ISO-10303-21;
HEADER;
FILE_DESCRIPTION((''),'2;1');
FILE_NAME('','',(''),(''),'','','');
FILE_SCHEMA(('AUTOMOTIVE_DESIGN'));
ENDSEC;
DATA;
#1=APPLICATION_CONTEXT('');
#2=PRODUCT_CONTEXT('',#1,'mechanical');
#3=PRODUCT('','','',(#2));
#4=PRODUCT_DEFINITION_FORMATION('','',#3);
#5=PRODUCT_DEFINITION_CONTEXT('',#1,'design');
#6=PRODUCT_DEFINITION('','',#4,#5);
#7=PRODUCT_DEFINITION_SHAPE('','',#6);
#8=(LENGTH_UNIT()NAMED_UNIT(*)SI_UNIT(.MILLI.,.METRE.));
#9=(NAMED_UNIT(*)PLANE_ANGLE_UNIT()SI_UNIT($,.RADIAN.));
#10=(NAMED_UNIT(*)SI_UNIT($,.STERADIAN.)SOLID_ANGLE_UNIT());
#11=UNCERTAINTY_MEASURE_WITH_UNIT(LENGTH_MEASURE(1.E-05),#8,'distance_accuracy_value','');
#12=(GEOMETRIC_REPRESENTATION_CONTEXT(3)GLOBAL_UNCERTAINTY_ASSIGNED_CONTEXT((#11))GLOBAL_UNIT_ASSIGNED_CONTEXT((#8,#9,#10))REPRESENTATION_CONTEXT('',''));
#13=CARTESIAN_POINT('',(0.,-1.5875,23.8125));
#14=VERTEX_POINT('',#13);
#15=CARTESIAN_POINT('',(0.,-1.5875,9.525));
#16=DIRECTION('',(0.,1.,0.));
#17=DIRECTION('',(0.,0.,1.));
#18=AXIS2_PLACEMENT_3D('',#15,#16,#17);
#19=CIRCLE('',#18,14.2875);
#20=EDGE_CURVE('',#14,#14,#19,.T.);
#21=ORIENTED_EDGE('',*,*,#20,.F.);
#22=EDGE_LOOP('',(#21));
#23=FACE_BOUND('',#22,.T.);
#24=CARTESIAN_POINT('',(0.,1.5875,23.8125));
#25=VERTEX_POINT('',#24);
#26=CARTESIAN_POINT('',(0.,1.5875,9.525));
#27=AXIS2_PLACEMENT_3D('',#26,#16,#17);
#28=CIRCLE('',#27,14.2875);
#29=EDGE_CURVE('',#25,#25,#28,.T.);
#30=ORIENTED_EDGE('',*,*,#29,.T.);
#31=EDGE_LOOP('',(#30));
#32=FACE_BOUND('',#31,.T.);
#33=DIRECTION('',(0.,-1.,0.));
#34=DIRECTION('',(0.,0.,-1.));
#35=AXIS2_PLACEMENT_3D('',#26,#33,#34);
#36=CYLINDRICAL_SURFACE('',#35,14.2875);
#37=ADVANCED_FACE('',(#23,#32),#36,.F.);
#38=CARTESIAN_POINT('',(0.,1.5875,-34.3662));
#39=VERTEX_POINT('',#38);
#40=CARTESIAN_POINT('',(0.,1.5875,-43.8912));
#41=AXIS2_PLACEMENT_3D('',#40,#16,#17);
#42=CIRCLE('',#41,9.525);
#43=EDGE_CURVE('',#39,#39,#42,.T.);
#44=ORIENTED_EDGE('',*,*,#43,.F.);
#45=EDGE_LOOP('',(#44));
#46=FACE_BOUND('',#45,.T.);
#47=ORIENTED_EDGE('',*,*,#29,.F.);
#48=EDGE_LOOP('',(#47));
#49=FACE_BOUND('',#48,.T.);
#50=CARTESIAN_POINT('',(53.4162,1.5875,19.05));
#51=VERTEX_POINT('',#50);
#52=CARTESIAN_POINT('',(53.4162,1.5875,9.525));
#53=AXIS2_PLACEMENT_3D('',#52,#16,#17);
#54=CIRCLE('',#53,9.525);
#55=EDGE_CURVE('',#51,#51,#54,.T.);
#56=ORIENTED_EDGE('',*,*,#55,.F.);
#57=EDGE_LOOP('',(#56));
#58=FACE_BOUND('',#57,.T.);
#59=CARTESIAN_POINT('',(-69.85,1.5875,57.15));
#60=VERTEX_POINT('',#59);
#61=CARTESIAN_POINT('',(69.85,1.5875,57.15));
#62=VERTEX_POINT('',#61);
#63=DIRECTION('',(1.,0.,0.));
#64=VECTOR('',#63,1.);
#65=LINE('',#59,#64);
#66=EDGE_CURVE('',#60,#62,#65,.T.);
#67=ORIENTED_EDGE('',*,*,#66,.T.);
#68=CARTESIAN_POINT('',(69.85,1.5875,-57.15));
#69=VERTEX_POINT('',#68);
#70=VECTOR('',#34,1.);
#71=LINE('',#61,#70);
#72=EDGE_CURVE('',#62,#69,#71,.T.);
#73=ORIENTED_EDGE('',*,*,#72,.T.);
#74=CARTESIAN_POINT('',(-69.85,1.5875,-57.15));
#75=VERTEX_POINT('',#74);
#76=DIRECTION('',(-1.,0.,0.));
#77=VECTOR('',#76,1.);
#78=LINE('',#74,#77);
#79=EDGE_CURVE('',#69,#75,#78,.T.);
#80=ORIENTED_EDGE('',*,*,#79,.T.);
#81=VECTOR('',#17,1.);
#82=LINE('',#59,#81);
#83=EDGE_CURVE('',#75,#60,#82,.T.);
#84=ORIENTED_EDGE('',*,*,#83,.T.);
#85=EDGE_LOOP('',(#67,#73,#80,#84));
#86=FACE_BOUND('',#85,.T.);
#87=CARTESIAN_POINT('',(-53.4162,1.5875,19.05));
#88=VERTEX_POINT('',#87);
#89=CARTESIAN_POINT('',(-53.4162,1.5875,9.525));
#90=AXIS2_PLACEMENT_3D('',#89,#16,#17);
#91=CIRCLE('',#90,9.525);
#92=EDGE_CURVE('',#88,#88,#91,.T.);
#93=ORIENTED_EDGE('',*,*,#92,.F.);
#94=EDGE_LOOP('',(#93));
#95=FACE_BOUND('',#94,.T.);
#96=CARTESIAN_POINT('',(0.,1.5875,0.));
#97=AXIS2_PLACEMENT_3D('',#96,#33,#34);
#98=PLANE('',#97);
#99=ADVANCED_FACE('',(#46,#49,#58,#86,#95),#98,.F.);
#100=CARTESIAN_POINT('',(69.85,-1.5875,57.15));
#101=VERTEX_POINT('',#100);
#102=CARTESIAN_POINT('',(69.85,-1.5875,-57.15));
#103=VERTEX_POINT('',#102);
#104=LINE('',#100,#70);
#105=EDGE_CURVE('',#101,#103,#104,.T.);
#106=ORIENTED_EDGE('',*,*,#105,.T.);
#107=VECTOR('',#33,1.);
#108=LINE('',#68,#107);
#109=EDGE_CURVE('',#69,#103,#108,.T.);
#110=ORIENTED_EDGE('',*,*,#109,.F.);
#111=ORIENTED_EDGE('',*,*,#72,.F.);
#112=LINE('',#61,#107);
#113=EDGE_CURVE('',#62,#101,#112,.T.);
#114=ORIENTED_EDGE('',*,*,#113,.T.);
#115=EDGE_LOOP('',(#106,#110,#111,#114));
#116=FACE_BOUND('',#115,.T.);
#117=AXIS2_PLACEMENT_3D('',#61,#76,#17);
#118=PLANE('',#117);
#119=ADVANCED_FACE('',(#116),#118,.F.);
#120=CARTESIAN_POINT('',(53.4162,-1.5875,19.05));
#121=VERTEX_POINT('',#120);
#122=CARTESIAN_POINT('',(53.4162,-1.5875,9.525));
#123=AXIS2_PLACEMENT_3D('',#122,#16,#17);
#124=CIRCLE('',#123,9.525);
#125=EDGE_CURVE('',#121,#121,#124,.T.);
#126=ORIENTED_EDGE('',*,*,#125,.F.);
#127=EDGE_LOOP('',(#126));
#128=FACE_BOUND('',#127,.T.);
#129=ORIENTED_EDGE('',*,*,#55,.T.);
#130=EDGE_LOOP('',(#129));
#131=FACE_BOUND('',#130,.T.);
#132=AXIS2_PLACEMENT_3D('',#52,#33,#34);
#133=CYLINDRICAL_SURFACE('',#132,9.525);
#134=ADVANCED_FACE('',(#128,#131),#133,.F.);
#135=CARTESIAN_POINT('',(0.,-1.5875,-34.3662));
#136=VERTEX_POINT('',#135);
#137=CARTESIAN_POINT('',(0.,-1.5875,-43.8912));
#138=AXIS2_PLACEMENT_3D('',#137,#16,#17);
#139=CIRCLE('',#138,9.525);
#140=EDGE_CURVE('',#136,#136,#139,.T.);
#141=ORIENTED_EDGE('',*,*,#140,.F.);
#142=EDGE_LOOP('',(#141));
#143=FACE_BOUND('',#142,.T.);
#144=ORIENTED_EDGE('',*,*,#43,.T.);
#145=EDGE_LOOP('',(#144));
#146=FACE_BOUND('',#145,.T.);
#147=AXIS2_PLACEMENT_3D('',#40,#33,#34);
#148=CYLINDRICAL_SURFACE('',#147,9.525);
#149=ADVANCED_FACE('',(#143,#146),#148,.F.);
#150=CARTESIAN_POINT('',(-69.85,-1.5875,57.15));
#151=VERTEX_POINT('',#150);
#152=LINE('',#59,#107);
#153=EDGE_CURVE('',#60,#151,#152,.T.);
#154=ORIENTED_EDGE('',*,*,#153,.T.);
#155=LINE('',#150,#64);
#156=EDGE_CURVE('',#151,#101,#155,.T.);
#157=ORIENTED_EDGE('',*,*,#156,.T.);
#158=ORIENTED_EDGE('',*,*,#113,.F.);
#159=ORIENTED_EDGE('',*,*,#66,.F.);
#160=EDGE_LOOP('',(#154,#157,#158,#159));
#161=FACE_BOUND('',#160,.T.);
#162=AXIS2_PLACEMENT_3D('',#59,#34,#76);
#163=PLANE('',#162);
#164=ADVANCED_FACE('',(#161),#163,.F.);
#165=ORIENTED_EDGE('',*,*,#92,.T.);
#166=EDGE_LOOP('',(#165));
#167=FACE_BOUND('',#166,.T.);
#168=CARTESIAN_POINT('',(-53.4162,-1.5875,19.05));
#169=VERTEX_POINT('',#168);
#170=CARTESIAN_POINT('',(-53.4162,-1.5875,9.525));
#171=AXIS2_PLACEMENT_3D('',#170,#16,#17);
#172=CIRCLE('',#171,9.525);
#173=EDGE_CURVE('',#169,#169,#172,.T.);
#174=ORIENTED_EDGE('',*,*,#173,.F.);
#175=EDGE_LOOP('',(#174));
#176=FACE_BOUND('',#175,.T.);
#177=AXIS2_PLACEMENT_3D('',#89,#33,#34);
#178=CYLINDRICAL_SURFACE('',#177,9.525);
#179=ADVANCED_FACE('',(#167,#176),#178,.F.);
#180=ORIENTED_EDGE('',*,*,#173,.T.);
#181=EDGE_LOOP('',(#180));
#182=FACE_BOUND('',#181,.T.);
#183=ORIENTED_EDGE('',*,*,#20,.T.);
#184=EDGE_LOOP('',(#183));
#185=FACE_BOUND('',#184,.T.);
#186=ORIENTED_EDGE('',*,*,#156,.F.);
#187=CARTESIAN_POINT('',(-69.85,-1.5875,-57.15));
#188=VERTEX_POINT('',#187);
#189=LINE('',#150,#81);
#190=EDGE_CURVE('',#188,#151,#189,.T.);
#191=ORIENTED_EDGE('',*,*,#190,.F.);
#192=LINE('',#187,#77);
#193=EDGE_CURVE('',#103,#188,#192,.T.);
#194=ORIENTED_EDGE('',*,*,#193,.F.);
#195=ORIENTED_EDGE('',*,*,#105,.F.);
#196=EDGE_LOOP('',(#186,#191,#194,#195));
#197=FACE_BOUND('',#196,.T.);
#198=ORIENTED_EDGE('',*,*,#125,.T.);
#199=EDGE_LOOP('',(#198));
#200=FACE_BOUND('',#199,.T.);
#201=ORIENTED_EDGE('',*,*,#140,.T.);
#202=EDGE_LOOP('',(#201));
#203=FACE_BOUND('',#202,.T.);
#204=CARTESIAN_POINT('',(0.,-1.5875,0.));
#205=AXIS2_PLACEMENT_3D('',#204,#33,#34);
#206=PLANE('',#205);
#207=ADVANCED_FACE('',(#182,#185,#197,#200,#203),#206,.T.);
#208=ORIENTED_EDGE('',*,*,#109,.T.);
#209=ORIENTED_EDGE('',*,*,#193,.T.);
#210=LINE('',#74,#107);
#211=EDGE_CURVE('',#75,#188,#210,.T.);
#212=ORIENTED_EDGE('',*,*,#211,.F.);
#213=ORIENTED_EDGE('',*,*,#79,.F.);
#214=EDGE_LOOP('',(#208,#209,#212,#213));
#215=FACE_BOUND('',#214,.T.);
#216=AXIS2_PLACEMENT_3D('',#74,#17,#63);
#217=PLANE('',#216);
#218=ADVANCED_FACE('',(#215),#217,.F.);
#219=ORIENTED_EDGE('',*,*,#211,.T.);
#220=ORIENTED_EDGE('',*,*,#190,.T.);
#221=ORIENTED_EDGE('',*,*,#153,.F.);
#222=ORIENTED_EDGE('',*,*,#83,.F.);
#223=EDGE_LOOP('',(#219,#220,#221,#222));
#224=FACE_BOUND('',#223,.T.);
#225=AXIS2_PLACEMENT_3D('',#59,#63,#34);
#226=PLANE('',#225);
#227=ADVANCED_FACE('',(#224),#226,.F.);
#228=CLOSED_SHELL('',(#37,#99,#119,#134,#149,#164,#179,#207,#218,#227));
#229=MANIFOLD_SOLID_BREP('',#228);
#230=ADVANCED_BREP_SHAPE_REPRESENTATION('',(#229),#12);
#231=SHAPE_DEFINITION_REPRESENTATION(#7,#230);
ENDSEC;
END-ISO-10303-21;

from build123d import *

# Parameters (mm, degrees)
SKETCH1_W           = 139.7
SKETCH1_H           = 114.3
SKETCH1_R           = 9.525
SKETCH1_R_2         = 14.2875
BOSS_EXTRUDE1_DEPTH = 1.5875


with BuildPart() as part:
    # Sketch1 → Boss-Extrude1 (new, symmetric)
    with BuildSketch(Plane(origin=(0, 0, 0), x_dir=(1, 0, 0), z_dir=(0, 1, 0))):
        Rectangle(SKETCH1_W, SKETCH1_H)
        with Locations(Location((0, 43.8912, 0), (0, 0, 270))):
            Circle(SKETCH1_R, mode=Mode.SUBTRACT)
        with Locations(Location((-53.4162, -9.525, 0), (0, 0, 270))):
            Circle(SKETCH1_R, mode=Mode.SUBTRACT)
        with Locations(Location((53.4162, -9.525, 0), (0, 0, 270))):
            Circle(SKETCH1_R, mode=Mode.SUBTRACT)
        with Locations(Location((0, -9.525, 0), (0, 0, 270))):
            Circle(SKETCH1_R_2, mode=Mode.SUBTRACT)
    extrude(amount=BOSS_EXTRUDE1_DEPTH, both=True)


solid = part.part
